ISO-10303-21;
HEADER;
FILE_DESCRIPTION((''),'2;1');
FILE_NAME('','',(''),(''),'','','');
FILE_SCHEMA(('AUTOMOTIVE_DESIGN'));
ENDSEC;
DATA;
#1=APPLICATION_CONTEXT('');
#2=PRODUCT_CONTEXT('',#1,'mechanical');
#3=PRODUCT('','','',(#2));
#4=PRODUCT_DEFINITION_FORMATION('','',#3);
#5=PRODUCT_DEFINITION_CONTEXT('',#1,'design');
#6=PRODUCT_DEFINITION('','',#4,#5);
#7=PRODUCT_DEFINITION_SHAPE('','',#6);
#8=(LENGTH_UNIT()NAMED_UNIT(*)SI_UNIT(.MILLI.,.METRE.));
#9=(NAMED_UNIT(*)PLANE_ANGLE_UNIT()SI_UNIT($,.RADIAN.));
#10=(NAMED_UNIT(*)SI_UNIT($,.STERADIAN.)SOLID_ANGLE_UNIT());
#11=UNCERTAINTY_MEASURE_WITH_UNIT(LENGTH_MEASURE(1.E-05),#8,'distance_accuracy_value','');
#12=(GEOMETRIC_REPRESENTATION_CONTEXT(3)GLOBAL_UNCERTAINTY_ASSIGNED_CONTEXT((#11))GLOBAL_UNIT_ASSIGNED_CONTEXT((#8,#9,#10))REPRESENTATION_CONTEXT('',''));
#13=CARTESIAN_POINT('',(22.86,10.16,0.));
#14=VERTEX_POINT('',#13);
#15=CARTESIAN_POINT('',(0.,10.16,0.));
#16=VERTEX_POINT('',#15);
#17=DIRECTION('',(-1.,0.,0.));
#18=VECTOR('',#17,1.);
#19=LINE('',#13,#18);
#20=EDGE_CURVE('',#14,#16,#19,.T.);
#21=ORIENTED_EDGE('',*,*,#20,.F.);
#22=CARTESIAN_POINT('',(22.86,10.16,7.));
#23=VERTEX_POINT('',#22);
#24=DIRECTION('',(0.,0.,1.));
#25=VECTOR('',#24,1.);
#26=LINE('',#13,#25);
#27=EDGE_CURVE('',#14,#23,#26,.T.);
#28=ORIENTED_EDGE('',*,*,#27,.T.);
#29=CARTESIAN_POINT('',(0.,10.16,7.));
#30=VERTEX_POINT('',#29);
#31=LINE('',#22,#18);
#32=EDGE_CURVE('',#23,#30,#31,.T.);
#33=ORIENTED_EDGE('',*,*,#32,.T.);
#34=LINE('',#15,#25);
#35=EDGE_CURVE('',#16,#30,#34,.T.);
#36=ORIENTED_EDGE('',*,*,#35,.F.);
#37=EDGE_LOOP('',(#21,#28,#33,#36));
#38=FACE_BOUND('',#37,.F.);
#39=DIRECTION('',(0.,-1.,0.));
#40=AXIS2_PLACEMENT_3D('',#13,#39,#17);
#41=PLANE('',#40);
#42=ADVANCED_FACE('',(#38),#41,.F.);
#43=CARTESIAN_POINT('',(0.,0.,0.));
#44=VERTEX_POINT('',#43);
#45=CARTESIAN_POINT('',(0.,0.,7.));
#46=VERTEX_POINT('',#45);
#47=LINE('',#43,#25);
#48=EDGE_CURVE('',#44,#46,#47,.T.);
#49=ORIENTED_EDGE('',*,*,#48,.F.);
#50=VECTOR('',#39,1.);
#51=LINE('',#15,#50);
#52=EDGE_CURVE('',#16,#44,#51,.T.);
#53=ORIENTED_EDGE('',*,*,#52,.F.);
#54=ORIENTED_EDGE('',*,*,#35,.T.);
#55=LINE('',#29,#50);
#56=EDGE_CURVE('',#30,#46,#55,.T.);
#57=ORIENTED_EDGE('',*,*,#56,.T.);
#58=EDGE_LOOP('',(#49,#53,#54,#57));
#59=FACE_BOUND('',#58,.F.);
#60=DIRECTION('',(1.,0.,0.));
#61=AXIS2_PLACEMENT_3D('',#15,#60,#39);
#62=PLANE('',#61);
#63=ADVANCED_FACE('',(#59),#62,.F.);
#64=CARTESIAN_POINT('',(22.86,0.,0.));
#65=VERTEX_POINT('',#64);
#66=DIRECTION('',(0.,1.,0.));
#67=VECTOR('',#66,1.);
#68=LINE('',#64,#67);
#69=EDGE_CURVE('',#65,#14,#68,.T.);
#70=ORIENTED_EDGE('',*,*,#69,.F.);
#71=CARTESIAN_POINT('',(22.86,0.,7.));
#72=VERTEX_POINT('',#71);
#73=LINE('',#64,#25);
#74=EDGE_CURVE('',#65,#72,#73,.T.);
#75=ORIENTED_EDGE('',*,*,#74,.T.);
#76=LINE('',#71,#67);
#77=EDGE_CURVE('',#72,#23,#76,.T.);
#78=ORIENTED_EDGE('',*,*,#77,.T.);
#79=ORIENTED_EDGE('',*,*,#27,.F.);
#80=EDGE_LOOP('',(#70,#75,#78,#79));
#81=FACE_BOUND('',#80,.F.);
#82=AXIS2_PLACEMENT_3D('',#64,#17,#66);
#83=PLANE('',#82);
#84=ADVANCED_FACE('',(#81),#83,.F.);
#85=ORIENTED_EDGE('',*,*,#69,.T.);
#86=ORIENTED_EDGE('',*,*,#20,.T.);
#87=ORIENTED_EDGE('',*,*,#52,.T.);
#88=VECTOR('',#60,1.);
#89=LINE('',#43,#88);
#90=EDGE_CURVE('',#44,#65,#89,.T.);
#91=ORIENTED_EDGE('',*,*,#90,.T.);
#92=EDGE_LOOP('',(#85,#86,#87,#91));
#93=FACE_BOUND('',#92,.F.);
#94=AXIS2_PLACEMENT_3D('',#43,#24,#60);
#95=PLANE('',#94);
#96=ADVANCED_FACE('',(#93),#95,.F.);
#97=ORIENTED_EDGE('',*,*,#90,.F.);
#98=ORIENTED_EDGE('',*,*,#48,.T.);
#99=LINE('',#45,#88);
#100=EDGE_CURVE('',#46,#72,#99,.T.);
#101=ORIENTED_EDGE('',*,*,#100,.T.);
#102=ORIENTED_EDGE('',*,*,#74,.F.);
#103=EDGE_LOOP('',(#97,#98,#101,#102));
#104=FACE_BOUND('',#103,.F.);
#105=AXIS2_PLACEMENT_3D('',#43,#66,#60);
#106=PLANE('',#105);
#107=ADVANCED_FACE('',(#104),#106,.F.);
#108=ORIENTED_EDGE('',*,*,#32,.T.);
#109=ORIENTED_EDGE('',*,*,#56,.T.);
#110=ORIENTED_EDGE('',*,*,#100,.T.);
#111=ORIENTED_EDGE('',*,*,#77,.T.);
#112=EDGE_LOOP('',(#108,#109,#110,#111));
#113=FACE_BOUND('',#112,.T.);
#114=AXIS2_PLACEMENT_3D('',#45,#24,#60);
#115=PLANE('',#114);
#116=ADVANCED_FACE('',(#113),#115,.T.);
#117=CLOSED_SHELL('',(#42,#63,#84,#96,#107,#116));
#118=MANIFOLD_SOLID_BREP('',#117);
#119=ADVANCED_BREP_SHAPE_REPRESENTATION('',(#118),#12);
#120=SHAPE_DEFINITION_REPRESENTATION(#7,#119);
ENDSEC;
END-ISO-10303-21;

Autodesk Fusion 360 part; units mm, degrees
sketch "スケッチ1" plane through (0, 0, 0) normal (0, 0, 1) x (1, 0, 0)
  line L0 (0, 0) -> (22.86, 0)
  line L1 (22.86, 0) -> (22.86, 10.16)
  line L2 (22.86, 10.16) -> (0, 10.16)
  line L3 (0, 10.16) -> (0, 0)
  dimension "d1" = 22.86
  dimension "d2" = 10.16
extrude "押し出し1" add sketch "スケッチ1" along normal blind 7
